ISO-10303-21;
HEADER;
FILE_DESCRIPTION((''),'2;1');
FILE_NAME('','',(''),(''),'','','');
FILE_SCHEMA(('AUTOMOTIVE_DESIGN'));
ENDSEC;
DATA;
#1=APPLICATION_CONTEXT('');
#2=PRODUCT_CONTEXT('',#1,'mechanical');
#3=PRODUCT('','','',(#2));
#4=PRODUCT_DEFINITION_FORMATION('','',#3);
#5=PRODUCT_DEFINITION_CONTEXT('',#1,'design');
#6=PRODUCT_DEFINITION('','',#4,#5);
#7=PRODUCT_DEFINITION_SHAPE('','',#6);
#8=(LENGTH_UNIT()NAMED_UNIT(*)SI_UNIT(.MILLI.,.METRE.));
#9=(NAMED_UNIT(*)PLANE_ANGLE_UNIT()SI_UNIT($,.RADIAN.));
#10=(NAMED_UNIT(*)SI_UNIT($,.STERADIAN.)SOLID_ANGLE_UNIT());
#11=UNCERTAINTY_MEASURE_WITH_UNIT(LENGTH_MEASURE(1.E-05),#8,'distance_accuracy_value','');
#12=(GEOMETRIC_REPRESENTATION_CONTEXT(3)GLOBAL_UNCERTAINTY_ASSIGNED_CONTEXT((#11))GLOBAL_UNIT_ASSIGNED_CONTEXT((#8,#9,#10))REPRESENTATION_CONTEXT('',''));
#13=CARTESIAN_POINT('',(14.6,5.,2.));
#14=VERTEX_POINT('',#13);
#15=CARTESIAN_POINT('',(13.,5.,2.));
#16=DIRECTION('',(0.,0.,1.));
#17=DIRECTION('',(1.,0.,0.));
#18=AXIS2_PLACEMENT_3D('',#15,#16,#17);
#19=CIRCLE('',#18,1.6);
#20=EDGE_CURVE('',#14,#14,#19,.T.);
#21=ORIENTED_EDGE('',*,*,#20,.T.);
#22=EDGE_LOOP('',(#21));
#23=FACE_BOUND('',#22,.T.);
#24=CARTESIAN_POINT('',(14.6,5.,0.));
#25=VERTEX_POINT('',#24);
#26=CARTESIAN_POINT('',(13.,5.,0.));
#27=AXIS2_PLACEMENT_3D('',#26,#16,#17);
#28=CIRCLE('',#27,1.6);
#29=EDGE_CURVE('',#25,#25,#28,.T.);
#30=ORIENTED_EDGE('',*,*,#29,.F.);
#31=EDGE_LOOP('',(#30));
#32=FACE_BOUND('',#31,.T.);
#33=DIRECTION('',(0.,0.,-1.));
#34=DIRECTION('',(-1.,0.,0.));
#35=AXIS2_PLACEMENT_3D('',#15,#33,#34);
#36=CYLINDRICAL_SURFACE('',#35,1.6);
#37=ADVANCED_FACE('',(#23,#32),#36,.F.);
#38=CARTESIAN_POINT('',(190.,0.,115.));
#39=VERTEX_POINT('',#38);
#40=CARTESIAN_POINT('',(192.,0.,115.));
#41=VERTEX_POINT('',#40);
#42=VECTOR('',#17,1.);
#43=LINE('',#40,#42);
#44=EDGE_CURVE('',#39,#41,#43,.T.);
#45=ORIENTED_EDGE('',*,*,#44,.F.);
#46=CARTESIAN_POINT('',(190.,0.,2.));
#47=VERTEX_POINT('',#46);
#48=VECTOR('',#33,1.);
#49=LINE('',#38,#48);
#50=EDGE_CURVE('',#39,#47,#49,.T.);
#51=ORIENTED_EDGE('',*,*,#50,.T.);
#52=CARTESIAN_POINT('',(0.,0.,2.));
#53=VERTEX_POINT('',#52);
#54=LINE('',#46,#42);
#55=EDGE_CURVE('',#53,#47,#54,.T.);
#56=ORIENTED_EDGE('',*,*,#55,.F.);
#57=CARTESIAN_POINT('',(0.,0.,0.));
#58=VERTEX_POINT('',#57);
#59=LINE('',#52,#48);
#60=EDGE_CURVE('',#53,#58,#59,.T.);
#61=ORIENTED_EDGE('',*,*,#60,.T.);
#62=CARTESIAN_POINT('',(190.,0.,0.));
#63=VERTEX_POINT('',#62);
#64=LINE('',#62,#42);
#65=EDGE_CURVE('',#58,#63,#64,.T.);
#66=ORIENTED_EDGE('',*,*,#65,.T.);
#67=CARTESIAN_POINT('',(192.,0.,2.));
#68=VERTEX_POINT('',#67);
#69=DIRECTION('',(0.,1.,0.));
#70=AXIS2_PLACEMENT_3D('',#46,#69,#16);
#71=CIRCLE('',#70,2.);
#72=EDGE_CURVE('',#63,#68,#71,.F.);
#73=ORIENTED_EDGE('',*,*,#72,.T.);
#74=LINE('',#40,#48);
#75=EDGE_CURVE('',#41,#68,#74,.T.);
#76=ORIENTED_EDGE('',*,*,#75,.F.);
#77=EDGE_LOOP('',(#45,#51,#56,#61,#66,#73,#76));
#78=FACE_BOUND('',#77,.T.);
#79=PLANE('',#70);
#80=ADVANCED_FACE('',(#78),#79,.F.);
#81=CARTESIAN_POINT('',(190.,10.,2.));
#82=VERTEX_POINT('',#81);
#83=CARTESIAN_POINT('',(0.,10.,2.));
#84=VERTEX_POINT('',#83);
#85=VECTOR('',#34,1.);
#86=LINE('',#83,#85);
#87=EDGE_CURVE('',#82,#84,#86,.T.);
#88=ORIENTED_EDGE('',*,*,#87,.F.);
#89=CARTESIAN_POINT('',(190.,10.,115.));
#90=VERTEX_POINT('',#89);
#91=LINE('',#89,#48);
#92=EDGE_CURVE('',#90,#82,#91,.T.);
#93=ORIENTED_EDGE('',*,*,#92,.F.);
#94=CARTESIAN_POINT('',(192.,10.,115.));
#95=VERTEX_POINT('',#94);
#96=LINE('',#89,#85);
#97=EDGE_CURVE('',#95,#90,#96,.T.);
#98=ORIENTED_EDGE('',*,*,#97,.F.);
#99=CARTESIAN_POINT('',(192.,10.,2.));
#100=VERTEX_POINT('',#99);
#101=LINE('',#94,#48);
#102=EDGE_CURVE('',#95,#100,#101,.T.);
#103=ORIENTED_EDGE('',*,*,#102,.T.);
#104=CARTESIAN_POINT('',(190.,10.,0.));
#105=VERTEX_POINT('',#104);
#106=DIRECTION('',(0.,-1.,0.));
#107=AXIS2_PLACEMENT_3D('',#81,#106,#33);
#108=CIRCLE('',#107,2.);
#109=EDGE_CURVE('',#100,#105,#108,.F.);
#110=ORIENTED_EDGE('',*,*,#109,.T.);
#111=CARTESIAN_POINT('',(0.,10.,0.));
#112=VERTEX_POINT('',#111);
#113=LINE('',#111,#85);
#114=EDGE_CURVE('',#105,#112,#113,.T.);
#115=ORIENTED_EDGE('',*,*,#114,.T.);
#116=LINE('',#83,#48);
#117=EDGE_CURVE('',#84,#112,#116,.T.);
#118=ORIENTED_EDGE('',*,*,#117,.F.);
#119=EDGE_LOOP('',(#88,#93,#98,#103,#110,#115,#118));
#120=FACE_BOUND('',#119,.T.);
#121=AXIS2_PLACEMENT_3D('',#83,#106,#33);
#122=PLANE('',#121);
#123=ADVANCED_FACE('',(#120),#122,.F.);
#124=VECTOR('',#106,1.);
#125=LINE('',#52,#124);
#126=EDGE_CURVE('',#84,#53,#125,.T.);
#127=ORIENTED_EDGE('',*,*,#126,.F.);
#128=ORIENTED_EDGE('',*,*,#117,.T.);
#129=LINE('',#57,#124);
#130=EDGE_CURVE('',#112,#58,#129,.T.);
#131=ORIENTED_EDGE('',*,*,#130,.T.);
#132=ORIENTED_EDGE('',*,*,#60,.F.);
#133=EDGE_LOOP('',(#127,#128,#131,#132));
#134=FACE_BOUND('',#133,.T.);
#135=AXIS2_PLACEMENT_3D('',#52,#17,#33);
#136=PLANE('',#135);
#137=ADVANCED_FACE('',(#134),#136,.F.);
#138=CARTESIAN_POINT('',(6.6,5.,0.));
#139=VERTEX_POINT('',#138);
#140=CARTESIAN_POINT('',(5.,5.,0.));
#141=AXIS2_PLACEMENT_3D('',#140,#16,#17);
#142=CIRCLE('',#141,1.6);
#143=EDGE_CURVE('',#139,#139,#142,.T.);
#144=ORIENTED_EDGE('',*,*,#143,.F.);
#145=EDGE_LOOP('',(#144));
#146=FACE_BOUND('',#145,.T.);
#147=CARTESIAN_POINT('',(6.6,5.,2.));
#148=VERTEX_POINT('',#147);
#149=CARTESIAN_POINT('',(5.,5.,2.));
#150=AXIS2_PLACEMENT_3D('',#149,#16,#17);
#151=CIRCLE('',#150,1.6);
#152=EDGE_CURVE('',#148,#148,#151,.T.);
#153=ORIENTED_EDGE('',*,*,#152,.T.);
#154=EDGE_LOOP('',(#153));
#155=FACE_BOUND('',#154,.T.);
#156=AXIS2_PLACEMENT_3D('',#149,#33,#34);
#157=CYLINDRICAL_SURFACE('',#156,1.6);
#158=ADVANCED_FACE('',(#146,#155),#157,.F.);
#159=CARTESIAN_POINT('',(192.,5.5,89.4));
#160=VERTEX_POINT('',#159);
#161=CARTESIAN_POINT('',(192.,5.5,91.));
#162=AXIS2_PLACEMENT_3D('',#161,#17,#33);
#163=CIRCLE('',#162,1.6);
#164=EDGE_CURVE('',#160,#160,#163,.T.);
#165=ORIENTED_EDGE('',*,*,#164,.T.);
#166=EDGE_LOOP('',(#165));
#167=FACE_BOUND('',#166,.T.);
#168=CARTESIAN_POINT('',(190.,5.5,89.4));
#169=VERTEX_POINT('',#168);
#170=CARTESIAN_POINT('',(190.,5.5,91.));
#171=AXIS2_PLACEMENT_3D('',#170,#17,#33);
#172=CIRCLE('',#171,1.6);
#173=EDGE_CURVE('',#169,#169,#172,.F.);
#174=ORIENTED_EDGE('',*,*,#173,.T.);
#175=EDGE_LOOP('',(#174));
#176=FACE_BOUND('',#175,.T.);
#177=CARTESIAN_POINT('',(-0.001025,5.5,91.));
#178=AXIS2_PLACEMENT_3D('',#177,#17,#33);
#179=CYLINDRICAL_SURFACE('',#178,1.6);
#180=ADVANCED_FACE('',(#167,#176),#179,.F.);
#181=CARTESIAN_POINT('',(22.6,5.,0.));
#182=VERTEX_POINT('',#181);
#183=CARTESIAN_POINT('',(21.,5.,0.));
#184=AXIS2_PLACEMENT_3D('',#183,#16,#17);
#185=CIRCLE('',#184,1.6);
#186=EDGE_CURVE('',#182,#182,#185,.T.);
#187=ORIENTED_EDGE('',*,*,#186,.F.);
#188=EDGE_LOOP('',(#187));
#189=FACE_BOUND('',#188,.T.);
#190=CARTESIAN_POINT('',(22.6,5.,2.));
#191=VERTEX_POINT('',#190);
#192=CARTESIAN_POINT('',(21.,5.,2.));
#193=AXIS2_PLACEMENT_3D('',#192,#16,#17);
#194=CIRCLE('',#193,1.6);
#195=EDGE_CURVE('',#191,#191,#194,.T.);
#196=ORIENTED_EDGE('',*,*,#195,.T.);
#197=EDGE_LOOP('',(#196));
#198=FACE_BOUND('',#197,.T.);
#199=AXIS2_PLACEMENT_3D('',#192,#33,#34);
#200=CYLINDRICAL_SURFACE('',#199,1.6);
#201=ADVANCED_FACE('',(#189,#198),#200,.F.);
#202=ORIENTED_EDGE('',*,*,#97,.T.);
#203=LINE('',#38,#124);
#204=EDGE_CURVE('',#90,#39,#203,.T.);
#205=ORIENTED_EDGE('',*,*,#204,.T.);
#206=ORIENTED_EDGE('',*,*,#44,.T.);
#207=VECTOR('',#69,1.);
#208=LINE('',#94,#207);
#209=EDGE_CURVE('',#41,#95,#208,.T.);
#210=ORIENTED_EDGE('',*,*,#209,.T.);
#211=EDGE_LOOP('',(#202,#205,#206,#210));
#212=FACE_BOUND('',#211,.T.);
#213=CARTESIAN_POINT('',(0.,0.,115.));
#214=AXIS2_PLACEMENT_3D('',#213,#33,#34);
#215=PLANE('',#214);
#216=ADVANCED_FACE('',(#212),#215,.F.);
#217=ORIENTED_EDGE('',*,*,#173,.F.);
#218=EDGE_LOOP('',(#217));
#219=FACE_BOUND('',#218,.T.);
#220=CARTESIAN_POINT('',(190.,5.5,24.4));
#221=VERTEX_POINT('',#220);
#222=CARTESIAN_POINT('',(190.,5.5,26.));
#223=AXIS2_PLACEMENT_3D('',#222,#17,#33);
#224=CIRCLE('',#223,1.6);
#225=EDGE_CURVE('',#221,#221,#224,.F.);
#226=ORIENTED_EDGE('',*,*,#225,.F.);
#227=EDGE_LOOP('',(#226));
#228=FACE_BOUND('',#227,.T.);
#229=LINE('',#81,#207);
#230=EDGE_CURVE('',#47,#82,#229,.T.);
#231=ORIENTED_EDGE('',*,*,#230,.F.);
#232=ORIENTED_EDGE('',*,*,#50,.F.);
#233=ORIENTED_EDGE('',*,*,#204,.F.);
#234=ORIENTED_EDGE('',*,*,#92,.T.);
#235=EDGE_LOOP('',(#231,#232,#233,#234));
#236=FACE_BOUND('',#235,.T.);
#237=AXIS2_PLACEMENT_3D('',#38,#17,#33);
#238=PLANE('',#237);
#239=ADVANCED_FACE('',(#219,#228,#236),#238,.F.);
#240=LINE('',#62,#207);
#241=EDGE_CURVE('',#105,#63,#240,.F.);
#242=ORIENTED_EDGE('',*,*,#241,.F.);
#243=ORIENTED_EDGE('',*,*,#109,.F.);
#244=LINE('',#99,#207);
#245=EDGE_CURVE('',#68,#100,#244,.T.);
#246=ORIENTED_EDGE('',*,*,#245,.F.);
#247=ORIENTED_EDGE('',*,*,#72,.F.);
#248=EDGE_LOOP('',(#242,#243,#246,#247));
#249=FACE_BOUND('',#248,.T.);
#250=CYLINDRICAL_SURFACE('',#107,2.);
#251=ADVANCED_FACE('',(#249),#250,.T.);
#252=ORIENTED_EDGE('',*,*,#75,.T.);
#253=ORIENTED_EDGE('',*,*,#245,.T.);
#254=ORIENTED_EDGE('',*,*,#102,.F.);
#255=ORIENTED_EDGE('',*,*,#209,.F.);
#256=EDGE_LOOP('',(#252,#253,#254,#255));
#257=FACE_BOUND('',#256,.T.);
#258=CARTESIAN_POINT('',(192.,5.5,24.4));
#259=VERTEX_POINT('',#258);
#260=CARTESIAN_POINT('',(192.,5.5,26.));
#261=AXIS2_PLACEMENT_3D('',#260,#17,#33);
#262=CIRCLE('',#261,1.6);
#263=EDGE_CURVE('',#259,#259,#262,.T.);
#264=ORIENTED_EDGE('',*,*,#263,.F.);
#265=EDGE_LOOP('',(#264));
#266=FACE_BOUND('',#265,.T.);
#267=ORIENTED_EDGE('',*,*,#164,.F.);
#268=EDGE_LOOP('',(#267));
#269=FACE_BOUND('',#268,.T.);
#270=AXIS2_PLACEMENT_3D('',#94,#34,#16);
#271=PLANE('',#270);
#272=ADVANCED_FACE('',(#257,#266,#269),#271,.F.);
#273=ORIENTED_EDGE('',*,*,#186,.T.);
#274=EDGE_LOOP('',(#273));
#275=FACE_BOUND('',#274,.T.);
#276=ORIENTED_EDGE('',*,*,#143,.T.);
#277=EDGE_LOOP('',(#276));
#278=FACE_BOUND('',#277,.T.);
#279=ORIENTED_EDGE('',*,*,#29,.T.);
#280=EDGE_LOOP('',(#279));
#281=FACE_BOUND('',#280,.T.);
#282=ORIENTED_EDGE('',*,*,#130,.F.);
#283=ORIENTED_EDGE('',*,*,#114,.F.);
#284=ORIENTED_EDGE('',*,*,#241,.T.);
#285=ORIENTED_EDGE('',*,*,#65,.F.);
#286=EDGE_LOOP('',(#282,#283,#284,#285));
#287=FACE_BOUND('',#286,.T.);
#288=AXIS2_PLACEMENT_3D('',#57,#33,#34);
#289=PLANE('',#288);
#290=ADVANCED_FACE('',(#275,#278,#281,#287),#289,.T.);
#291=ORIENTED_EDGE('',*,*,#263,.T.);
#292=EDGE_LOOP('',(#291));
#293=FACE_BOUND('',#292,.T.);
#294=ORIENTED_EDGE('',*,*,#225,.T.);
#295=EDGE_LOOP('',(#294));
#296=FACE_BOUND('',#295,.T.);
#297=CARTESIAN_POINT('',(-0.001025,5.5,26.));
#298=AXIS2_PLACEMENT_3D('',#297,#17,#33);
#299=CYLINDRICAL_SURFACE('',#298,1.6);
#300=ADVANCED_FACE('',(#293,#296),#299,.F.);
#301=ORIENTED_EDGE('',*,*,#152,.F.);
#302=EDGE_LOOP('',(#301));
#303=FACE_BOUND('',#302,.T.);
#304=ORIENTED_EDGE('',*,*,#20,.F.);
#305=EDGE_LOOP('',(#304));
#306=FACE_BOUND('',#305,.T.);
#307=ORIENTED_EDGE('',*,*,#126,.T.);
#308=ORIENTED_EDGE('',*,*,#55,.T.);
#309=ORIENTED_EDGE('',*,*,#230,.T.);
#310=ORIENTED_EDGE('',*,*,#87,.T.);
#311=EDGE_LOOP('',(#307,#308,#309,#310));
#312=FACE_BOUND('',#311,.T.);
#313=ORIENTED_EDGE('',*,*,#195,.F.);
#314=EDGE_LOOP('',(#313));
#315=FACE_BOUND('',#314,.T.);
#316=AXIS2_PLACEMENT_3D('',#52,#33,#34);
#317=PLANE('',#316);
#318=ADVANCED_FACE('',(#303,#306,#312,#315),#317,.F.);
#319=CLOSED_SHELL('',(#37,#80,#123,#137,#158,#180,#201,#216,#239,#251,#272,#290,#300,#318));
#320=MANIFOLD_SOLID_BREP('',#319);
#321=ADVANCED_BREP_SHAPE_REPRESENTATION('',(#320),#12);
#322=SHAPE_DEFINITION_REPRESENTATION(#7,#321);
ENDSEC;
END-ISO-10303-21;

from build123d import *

# Parameters (mm, degrees)
ESQUISSE1_W             = 190
ESQUISSE1_H             = 10
ESQUISSE1_R             = 1.6
BOSS_EXTRU_1_DEPTH      = 2
ESQUISSE2_W             = 2
ESQUISSE2_H             = 10
BOSS_EXTRU_2_DEPTH      = 115
CONG_1_R                = 2
ENL_V_MAT_EXTRU_1_REACH = 226.029
ESQUISSE3_R             = 1.6


with BuildPart() as part:
    # Esquisse1 → Boss.-Extru.1 (new body)
    with BuildSketch(Plane.XY):
        with Locations((95, 5)):
            Rectangle(ESQUISSE1_W, ESQUISSE1_H)
        with Locations((5, 5)):
            Circle(ESQUISSE1_R, mode=Mode.SUBTRACT)
        with Locations((13, 5)):
            Circle(ESQUISSE1_R, mode=Mode.SUBTRACT)
        with Locations((21, 5)):
            Circle(ESQUISSE1_R, mode=Mode.SUBTRACT)
    extrude(amount=BOSS_EXTRU_1_DEPTH)

    # Esquisse2 → Boss.-Extru.2 (add)
    with BuildSketch(Plane.XY):
        with Locations((191, 5)):
            Rectangle(ESQUISSE2_W, ESQUISSE2_H)
    extrude(amount=BOSS_EXTRU_2_DEPTH)

    # Congé1
    cong_1_edges = [part.edges().sort_by_distance(p)[0] for p in [
        (192, 5, 0),
    ]]
    fillet(cong_1_edges, radius=CONG_1_R)

    # Esquisse3 → Enlèv. mat.-Extru.1 (cut, up to next)
    with BuildSketch(Plane(origin=(192, 0, 0), x_dir=(0, 0, -1), z_dir=(1, 0, 0)), mode=Mode.PRIVATE) as enl_v_mat_extru_1_sk1:
        with Locations((-91, 5.5)):
            Circle(ESQUISSE3_R)
    enl_v_mat_extru_1_tool1 = extrude(enl_v_mat_extru_1_sk1.sketch, amount=-ENL_V_MAT_EXTRU_1_REACH, mode=Mode.PRIVATE) & part.part
    # Esquisse3 → Enlèv. mat.-Extru.1 (cut, up to next)
    with BuildSketch(Plane(origin=(192, 0, 0), x_dir=(0, 0, -1), z_dir=(1, 0, 0)), mode=Mode.PRIVATE) as enl_v_mat_extru_1_sk2:
        with Locations((-26, 5.5)):
            Circle(ESQUISSE3_R)
    enl_v_mat_extru_1_tool2 = extrude(enl_v_mat_extru_1_sk2.sketch, amount=-ENL_V_MAT_EXTRU_1_REACH, mode=Mode.PRIVATE) & part.part
    add(enl_v_mat_extru_1_tool1.solids().sort_by_distance((192, 5.5, 91))[0], mode=Mode.SUBTRACT)
    add(enl_v_mat_extru_1_tool2.solids().sort_by_distance((192, 5.5, 26))[0], mode=Mode.SUBTRACT)


solid = part.part
